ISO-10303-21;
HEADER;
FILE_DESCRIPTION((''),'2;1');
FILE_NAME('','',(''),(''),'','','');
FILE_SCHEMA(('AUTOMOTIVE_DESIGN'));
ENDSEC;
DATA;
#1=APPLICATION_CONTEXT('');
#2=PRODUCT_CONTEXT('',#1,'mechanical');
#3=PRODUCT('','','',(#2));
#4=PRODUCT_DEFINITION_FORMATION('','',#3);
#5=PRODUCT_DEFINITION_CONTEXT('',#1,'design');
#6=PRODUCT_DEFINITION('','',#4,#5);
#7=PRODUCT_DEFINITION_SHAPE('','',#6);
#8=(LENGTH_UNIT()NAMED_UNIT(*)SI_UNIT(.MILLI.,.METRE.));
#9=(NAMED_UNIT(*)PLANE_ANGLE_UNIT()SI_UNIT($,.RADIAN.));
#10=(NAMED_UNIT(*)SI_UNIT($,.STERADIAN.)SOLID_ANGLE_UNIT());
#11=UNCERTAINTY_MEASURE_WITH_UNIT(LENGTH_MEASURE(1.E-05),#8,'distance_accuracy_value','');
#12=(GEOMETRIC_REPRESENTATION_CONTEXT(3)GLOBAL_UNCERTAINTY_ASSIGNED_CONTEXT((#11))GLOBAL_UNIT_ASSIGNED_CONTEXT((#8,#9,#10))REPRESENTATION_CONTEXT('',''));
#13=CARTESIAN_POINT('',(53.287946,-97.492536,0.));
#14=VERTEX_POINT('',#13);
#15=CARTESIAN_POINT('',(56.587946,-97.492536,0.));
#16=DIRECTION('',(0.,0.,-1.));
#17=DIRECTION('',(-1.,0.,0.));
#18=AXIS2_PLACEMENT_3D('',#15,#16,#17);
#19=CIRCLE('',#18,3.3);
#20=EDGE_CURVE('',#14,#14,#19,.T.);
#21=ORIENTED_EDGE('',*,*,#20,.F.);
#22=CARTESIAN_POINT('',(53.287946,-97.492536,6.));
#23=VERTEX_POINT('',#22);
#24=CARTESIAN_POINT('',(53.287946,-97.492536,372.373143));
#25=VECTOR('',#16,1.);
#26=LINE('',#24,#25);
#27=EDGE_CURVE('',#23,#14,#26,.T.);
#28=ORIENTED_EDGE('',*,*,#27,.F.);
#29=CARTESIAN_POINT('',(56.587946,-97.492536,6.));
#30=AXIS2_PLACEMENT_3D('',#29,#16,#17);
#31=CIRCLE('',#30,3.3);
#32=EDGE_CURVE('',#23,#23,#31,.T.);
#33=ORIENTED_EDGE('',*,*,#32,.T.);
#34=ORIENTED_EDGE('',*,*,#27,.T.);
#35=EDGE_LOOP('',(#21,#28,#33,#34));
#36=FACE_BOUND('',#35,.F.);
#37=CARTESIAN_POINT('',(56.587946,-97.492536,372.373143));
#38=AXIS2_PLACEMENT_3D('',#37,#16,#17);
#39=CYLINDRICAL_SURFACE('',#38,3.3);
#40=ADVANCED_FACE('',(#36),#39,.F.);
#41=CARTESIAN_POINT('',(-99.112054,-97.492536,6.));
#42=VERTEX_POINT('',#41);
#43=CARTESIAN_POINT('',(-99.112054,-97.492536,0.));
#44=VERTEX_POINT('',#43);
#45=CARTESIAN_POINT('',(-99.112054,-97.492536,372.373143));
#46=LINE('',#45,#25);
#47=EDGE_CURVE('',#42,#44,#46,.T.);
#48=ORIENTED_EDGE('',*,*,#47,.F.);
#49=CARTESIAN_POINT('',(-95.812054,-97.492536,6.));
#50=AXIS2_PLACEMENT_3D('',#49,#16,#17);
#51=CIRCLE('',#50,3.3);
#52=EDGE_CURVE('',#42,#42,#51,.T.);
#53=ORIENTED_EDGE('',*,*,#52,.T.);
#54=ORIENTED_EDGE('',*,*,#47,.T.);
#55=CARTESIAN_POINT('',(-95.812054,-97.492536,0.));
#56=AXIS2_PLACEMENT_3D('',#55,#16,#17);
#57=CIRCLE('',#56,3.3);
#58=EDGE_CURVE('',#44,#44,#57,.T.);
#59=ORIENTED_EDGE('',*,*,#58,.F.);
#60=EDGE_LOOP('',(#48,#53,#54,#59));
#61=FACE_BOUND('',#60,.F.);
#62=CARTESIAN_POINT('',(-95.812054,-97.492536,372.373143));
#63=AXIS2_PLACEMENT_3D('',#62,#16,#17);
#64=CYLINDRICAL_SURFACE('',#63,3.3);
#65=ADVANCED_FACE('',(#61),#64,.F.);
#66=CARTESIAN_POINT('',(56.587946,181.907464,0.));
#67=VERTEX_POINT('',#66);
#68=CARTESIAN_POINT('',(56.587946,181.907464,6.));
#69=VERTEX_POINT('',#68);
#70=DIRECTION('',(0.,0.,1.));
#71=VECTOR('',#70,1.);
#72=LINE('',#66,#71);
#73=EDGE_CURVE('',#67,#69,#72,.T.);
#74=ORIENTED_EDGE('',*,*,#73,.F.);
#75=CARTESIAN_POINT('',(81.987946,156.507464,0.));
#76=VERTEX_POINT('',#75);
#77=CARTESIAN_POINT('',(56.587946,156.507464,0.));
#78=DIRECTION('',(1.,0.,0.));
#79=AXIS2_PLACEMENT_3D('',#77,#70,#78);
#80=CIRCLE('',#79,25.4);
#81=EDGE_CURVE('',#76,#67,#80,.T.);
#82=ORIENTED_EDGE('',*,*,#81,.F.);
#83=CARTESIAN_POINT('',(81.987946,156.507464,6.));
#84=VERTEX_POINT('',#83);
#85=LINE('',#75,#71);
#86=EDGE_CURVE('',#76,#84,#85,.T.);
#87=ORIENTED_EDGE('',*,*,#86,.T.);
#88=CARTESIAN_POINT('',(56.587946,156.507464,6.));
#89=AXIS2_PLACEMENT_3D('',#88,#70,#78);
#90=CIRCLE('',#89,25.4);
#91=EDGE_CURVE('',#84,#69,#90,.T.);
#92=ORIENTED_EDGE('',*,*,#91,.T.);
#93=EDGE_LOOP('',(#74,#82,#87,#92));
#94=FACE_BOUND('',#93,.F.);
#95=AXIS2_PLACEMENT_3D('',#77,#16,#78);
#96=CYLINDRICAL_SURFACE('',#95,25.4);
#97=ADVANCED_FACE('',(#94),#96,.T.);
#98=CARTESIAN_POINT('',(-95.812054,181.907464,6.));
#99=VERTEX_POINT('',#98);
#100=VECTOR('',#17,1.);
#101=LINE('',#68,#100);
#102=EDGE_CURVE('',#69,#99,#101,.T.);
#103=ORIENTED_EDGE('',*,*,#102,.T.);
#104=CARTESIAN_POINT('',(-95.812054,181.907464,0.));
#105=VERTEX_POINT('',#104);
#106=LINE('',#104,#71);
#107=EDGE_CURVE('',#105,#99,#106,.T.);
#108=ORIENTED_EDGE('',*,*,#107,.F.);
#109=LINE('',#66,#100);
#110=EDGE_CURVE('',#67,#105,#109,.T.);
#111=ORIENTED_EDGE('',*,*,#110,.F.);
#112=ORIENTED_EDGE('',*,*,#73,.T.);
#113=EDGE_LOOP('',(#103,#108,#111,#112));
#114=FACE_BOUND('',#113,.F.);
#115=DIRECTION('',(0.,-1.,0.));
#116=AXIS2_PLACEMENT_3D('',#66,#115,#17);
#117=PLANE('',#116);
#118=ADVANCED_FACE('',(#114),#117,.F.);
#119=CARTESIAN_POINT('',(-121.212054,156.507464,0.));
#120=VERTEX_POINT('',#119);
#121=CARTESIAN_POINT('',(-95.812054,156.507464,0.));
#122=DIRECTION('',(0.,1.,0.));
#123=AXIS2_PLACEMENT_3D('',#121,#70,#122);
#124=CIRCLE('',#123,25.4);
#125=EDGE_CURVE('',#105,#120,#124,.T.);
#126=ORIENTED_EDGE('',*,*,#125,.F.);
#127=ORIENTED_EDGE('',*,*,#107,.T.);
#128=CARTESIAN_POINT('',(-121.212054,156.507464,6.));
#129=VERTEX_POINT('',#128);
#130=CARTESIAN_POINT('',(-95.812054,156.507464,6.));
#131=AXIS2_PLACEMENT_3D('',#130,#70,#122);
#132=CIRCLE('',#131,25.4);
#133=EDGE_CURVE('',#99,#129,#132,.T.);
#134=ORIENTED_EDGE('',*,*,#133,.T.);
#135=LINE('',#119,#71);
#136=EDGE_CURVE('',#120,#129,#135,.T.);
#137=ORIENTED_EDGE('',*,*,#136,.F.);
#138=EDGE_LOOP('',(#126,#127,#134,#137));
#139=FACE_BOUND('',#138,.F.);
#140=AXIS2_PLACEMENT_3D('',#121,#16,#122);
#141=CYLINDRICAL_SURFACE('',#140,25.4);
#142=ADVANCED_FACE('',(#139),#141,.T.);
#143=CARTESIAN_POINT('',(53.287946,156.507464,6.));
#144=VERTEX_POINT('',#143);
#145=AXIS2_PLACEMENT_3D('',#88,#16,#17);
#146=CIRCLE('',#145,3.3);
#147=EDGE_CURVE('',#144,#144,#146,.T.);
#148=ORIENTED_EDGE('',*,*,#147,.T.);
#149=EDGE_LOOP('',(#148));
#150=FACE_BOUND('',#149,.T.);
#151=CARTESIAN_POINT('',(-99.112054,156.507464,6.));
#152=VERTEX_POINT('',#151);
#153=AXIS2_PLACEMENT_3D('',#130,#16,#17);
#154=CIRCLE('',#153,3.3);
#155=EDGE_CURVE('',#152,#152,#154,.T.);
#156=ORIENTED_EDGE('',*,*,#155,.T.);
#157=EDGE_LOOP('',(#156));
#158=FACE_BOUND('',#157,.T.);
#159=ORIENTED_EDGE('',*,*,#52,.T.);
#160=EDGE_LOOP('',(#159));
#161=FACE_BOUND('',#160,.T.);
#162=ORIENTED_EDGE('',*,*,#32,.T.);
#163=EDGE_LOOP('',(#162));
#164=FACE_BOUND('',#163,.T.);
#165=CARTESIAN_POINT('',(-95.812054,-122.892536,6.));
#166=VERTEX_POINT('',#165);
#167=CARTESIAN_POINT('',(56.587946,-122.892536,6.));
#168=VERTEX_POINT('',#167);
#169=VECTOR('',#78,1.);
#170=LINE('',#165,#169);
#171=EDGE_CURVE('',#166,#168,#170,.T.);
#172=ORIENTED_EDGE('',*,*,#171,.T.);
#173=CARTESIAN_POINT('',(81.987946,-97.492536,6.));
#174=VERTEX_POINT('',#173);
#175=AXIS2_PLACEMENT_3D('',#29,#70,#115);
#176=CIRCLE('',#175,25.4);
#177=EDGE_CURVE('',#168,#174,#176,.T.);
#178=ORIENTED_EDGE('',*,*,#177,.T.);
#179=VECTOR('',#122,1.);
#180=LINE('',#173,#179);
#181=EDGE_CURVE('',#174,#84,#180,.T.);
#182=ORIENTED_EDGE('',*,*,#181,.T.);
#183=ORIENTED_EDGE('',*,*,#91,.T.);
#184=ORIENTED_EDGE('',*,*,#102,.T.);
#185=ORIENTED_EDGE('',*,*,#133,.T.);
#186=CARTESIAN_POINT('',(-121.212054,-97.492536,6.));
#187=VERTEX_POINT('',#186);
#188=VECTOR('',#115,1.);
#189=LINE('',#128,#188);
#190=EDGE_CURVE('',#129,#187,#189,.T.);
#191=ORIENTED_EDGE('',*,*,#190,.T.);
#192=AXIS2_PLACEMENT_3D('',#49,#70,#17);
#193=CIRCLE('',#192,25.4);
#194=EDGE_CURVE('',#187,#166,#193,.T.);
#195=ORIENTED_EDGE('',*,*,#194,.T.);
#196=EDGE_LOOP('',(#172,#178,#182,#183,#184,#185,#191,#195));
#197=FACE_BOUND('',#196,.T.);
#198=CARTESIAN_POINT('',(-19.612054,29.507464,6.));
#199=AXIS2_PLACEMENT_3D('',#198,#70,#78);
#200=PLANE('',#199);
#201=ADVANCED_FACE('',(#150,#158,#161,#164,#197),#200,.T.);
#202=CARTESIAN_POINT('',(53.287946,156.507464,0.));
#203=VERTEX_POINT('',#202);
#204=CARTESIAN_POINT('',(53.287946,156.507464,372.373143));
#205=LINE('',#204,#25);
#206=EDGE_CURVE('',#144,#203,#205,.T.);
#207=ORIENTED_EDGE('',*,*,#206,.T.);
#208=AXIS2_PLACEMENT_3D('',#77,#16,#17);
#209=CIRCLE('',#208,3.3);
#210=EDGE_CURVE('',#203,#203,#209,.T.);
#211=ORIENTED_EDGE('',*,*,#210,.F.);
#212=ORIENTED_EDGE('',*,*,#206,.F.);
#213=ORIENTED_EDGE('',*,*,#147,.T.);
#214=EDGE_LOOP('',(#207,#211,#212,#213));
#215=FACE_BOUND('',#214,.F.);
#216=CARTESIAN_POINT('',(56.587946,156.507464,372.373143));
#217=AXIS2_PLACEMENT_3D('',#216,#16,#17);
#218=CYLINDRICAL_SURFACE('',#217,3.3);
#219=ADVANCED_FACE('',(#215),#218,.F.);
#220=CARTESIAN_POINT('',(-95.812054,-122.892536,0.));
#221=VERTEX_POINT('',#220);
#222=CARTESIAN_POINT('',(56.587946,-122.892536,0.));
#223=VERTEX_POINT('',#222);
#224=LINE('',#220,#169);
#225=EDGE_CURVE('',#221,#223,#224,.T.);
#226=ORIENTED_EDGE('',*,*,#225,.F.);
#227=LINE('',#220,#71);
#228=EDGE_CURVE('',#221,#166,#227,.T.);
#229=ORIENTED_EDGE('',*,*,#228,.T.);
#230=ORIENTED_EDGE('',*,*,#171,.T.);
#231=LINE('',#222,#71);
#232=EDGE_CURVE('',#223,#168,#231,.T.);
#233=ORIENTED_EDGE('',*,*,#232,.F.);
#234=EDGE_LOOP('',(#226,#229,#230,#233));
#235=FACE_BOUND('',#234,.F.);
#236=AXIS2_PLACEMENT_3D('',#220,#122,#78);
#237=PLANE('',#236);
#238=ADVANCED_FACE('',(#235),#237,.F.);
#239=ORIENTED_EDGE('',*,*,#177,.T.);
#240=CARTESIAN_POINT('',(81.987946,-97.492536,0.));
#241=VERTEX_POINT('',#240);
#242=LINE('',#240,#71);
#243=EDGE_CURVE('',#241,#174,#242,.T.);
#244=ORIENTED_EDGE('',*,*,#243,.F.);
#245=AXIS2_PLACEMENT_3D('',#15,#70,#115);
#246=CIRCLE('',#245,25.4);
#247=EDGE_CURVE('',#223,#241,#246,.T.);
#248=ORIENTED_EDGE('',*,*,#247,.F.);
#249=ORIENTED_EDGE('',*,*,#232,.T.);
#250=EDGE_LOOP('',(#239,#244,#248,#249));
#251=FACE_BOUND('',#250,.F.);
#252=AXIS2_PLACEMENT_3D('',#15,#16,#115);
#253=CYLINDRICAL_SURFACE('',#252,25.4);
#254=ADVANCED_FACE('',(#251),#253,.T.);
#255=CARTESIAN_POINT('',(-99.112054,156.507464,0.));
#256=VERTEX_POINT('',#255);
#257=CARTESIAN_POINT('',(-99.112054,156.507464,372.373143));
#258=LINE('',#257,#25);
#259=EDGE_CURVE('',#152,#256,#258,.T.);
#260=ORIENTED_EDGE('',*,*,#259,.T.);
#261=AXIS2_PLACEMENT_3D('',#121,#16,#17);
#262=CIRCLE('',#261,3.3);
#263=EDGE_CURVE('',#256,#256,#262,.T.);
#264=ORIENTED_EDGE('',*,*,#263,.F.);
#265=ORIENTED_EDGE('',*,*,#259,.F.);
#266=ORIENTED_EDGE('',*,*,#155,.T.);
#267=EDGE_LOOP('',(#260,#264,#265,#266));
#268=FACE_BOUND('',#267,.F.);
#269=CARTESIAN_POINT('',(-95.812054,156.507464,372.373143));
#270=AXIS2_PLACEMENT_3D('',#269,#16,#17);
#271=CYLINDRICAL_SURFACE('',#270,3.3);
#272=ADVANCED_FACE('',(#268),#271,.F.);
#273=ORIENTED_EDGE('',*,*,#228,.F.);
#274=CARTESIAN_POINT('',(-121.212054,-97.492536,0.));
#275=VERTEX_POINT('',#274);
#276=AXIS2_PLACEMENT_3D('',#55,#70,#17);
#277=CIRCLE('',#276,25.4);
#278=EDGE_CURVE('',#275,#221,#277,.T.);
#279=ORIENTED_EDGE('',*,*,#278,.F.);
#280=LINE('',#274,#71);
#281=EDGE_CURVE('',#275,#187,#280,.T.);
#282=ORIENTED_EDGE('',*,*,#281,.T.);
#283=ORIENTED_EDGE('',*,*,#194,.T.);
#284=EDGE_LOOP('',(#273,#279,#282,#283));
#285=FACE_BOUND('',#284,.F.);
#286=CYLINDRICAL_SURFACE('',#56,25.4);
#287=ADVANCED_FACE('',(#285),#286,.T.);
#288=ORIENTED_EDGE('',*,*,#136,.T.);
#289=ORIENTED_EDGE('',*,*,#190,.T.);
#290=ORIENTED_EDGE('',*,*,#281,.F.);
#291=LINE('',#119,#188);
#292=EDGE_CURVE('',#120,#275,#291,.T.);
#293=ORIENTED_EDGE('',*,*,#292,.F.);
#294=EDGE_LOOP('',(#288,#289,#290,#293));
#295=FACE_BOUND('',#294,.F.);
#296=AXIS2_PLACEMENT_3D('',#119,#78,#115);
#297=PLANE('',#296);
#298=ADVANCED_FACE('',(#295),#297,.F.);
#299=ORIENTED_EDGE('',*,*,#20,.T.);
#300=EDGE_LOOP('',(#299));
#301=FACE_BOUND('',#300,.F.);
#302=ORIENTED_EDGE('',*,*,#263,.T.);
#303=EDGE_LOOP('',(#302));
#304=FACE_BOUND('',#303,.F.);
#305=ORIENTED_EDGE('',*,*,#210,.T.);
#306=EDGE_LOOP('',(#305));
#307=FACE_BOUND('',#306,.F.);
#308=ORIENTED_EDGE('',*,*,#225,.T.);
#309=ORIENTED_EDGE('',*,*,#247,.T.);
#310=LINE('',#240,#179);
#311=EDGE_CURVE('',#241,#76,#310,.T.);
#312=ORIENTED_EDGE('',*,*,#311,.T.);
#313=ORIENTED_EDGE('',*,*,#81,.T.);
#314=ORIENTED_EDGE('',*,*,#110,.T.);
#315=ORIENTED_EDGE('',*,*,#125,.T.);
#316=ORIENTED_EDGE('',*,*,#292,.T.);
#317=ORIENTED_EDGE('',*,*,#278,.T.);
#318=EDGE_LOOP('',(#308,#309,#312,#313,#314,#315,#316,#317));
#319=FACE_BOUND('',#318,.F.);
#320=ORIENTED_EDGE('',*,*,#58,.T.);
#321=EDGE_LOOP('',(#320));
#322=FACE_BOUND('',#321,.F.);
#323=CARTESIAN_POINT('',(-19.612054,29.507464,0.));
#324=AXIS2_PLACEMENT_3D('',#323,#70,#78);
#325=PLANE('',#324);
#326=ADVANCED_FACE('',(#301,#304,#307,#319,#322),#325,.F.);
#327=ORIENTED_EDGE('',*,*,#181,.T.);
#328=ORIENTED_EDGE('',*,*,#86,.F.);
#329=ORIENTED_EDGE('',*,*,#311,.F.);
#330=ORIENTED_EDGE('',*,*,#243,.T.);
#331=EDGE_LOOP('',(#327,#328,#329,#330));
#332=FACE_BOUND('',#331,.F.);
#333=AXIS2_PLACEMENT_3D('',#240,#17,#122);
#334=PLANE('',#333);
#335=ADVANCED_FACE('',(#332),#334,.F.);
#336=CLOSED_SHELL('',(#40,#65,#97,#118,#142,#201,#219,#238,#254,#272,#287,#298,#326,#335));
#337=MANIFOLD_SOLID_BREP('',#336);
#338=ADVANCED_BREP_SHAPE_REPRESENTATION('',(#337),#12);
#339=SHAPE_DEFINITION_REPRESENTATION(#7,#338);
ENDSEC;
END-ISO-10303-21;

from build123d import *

# Parameters (mm, degrees)
F1_DEPTH = 6
F3_D     = 6.6


with BuildPart() as f1:
    # F0 (on Top) → F1 (new body)
    with BuildSketch(Plane.XY):
        with BuildLine():
            ThreePointArc((-121.2120539201, -97.4925358951), (-113.7725661623, -115.4530481372), (-95.8120539201, -122.8925358951))
            Line((-95.8120539201, -122.8925358951), (56.5879460799, -122.8925358951))
            ThreePointArc((56.5879460799, -122.8925358951), (74.548458322, -115.4530481372), (81.9879460799, -97.4925358951))
            Line((81.9879460799, -97.4925358951), (81.9879460799, 156.5074641049))
            ThreePointArc((81.9879460799, 156.5074641049), (74.548458322, 174.467976347), (56.5879460799, 181.9074641049))
            Line((56.5879460799, 181.9074641049), (-95.8120539201, 181.9074641049))
            ThreePointArc((-95.8120539201, 181.9074641049), (-113.7725661623, 174.467976347), (-121.2120539201, 156.5074641049))
            Line((-121.2120539201, 156.5074641049), (-121.2120539201, -97.4925358951))
        make_face()
    extrude(amount=F1_DEPTH)

    # F3 (through all)
    with Locations(Plane.XY.offset(6)):
        with Locations((-95.8120539201, 156.5074641049), (56.5879460799, 156.5074641049), (56.5879460799, -97.4925358951), (-95.8120539201, -97.4925358951)):
            Hole(F3_D / 2)


solid = f1.part
